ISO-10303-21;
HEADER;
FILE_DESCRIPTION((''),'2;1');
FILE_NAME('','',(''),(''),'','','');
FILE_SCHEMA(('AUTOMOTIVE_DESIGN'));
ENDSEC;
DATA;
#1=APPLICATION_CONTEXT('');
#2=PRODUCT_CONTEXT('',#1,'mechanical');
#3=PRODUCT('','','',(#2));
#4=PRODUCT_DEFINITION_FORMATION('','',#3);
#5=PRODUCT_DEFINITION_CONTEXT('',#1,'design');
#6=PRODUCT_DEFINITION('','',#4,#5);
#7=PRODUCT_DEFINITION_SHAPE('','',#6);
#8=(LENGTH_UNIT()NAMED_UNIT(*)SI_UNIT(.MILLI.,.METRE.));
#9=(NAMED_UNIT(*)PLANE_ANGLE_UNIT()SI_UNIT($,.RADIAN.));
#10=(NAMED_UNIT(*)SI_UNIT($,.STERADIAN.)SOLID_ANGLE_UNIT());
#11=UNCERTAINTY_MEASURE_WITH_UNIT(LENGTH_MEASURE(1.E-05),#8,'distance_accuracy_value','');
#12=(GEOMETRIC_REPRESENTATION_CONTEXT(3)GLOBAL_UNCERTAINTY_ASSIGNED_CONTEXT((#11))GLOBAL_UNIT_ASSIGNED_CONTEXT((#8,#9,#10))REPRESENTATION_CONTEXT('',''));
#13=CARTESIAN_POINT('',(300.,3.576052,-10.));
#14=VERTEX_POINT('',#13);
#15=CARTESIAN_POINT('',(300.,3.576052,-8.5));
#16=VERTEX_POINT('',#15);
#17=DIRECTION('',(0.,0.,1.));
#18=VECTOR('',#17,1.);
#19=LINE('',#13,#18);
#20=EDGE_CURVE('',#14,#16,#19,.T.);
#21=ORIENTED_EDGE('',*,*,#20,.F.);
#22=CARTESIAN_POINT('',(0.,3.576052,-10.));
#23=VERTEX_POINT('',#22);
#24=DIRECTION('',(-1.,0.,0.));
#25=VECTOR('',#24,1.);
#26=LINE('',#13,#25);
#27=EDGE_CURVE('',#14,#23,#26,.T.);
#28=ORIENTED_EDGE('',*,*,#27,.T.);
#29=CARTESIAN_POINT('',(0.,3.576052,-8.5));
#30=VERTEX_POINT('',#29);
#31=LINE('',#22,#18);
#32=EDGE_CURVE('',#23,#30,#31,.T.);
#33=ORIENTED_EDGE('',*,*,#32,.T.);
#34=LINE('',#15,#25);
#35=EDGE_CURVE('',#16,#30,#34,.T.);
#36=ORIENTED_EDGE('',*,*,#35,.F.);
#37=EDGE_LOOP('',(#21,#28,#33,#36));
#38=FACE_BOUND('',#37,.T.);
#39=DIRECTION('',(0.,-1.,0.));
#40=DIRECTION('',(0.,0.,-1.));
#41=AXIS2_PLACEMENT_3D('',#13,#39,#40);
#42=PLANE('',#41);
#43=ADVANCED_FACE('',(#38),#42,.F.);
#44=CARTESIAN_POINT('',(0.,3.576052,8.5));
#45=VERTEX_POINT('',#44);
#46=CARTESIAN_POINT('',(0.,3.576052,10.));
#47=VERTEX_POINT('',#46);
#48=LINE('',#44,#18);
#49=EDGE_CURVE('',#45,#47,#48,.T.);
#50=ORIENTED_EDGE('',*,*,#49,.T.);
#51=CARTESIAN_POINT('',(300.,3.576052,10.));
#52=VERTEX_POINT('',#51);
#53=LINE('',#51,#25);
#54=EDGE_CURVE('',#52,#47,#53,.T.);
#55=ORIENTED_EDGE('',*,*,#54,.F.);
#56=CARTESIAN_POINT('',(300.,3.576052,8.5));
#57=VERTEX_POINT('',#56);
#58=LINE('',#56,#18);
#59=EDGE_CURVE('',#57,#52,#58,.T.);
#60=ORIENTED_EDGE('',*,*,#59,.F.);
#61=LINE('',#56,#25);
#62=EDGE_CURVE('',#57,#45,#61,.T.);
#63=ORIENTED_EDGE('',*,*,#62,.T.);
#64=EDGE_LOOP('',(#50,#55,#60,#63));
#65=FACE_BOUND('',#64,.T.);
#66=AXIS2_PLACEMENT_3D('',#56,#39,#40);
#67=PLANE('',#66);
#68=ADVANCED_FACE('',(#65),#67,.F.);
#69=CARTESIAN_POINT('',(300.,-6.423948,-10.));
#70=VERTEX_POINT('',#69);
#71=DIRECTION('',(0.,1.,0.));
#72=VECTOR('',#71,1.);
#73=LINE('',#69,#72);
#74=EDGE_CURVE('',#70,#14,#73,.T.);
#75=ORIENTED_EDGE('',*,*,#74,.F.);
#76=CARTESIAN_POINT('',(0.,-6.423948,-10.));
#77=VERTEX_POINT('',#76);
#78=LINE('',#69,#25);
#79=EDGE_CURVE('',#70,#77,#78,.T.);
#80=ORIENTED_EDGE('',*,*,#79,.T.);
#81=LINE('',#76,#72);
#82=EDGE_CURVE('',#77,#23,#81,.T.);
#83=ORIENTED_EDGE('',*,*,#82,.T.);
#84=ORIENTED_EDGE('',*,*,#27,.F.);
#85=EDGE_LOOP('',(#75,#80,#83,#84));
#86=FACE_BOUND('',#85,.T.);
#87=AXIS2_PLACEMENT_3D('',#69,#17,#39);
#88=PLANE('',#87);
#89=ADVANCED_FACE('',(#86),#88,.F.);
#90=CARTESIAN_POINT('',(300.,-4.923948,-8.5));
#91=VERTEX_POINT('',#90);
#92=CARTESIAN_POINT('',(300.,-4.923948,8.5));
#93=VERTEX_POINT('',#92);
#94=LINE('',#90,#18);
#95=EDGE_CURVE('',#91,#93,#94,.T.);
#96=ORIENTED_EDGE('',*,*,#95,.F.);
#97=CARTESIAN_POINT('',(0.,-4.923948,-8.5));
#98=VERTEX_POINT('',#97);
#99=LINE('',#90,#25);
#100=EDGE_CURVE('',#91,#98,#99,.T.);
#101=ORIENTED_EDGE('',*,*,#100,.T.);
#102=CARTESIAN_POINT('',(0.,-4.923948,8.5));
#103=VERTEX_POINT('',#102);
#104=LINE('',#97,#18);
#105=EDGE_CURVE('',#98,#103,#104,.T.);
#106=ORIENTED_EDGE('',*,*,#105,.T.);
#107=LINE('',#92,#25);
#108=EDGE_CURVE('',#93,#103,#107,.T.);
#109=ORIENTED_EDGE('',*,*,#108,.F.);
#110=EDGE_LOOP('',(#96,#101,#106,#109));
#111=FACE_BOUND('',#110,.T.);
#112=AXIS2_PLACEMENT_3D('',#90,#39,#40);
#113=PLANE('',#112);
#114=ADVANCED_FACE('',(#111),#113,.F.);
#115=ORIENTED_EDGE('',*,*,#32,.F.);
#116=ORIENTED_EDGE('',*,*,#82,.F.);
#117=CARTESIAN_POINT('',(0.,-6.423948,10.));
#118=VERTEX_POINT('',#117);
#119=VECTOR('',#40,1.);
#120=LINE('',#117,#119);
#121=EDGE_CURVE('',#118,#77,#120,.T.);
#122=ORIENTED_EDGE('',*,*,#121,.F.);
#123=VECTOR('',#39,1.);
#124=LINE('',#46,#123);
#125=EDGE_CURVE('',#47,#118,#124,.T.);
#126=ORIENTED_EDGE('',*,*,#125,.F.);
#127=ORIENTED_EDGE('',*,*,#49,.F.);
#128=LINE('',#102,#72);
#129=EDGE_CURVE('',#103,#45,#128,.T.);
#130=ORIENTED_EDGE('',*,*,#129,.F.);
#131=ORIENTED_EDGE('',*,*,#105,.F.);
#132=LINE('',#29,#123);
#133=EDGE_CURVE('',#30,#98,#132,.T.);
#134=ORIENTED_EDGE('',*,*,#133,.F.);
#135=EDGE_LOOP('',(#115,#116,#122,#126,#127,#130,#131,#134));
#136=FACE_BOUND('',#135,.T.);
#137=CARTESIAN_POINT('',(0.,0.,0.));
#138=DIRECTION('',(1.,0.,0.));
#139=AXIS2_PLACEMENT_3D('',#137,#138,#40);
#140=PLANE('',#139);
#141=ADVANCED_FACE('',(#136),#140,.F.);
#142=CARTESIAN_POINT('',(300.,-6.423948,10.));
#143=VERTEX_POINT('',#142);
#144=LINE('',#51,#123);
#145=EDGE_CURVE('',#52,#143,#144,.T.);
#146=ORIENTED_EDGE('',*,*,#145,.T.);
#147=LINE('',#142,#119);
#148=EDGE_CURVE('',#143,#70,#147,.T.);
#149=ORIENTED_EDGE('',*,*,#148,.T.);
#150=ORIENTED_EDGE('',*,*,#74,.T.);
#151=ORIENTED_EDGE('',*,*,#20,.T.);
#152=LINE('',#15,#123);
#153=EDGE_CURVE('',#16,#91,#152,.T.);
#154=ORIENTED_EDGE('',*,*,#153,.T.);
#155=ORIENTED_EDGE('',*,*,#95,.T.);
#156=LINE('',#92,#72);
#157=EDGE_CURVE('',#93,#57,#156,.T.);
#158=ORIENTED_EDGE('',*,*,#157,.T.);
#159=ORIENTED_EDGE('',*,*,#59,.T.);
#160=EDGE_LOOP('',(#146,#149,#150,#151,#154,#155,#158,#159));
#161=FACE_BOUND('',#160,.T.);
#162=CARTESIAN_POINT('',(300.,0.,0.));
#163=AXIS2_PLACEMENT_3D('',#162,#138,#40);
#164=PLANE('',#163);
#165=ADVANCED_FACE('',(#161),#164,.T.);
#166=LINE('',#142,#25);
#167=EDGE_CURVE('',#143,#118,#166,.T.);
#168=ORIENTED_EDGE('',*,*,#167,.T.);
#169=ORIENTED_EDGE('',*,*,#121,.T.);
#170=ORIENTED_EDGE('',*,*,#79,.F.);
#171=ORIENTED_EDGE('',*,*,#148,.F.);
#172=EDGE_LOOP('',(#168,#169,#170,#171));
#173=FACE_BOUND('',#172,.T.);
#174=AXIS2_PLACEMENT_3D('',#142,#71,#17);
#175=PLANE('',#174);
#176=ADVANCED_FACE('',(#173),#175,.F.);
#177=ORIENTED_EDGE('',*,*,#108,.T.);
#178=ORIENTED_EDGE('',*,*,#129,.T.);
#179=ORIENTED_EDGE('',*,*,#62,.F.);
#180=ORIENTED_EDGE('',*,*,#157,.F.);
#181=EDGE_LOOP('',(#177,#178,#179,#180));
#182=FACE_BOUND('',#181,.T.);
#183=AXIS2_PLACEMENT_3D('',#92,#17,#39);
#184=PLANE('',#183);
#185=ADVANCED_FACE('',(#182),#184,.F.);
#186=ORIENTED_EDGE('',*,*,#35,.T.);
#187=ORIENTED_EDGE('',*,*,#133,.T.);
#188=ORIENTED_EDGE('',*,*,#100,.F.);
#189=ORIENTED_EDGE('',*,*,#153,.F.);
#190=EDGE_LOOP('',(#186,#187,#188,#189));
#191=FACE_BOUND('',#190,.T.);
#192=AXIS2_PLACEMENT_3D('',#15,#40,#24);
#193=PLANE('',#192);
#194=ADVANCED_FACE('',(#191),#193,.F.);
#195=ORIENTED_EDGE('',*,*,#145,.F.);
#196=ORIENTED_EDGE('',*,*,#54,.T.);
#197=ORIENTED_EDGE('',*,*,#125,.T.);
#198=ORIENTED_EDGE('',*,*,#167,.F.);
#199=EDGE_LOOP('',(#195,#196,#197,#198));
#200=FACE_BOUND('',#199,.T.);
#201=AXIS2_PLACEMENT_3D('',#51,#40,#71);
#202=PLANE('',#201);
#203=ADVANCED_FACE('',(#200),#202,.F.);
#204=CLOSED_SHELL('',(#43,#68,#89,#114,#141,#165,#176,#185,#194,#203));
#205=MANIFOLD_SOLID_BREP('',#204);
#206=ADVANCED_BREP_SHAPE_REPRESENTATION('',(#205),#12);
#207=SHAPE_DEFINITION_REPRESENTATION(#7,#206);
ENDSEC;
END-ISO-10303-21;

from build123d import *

# Parameters (mm, degrees)
BOSS_EXTRUDE1_DEPTH = 300


with BuildPart() as part:
    # Sketch1 → Boss-Extrude1 (new body)
    with BuildSketch(Plane(origin=(0, 0, 0), x_dir=(0, 0, -1), z_dir=(1, 0, 0))):
        Polygon((-10, -6.423948176), (10, -6.423948176), (10, 3.576051824), (8.5, 3.576051824), (8.5, -4.923948176), (-8.5, -4.923948176), (-8.5, 3.576051824), (-10, 3.576051824), align=None)
    extrude(amount=BOSS_EXTRUDE1_DEPTH)


solid = part.part
